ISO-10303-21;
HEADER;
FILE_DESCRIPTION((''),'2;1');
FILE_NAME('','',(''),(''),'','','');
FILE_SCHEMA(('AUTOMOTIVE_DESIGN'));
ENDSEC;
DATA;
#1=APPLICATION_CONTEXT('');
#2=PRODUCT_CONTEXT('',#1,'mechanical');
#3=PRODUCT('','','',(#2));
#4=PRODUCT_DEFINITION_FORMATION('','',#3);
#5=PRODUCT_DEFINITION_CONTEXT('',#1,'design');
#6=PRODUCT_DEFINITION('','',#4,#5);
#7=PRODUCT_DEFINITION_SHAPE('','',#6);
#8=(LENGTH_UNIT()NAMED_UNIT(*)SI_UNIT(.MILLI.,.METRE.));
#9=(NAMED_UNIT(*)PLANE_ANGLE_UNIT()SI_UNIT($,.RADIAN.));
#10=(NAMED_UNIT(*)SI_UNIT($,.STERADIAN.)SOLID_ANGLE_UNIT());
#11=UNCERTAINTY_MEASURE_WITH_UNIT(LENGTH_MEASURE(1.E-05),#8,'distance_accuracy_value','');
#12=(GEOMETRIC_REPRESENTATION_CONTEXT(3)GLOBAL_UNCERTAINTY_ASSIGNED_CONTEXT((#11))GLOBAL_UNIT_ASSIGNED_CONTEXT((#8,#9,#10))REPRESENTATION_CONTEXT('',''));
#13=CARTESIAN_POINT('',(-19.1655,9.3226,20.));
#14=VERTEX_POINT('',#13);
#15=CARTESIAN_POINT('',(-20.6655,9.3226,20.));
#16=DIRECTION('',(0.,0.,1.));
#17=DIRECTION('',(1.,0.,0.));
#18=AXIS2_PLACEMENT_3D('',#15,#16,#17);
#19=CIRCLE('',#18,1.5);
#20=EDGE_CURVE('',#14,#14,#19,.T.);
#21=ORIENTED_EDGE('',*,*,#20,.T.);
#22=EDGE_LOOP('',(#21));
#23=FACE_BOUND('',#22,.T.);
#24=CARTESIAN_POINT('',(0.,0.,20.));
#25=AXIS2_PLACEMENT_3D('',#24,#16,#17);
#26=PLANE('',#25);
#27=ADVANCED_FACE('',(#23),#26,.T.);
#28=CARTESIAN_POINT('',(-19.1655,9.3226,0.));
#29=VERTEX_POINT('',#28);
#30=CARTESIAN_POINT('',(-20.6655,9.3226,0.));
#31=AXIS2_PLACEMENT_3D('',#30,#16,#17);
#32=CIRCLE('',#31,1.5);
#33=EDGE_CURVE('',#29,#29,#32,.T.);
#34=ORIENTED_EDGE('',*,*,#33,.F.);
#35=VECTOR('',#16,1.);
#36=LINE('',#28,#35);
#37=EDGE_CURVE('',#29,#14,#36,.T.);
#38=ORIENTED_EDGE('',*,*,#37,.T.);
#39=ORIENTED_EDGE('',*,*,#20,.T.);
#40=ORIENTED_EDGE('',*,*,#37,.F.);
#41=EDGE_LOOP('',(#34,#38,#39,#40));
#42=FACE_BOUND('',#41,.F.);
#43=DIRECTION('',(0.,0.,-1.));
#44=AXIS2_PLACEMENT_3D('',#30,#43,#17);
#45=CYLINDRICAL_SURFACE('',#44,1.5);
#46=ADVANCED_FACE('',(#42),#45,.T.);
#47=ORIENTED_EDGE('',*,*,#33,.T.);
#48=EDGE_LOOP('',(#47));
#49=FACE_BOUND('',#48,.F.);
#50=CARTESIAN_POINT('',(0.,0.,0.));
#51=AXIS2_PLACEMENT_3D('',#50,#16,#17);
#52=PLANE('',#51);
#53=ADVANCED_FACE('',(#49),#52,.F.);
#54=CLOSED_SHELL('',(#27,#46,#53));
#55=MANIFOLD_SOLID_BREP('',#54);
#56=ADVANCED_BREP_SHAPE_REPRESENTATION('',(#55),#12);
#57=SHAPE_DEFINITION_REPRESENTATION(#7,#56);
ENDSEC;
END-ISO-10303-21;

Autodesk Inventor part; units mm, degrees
ref_plane "YZ Plane" through (0, 0, 0) normal (1, 0, 0) x (0, 1, 0)
ref_plane "XZ Plane" through (0, 0, 0) normal (0, 1, 0) x (-1, 0, 0)
ref_plane "XY Plane" through (0, 0, 0) normal (0, 0, 1) x (1, 0, 0)
sketch "Sketch1" plane through (0, 0, 0) normal (0, 0, 1) x (1, 0, 0)
  circle A0 centre (-20.6655, 9.3226) radius 1.5
  point P0 (0, 0)
  dimension "d0" = 3
  dimension "d0" = 3
extrude "Extrusion1" add sketch "Sketch1" along normal blind 20
properties part number "Servo motor support rods"
